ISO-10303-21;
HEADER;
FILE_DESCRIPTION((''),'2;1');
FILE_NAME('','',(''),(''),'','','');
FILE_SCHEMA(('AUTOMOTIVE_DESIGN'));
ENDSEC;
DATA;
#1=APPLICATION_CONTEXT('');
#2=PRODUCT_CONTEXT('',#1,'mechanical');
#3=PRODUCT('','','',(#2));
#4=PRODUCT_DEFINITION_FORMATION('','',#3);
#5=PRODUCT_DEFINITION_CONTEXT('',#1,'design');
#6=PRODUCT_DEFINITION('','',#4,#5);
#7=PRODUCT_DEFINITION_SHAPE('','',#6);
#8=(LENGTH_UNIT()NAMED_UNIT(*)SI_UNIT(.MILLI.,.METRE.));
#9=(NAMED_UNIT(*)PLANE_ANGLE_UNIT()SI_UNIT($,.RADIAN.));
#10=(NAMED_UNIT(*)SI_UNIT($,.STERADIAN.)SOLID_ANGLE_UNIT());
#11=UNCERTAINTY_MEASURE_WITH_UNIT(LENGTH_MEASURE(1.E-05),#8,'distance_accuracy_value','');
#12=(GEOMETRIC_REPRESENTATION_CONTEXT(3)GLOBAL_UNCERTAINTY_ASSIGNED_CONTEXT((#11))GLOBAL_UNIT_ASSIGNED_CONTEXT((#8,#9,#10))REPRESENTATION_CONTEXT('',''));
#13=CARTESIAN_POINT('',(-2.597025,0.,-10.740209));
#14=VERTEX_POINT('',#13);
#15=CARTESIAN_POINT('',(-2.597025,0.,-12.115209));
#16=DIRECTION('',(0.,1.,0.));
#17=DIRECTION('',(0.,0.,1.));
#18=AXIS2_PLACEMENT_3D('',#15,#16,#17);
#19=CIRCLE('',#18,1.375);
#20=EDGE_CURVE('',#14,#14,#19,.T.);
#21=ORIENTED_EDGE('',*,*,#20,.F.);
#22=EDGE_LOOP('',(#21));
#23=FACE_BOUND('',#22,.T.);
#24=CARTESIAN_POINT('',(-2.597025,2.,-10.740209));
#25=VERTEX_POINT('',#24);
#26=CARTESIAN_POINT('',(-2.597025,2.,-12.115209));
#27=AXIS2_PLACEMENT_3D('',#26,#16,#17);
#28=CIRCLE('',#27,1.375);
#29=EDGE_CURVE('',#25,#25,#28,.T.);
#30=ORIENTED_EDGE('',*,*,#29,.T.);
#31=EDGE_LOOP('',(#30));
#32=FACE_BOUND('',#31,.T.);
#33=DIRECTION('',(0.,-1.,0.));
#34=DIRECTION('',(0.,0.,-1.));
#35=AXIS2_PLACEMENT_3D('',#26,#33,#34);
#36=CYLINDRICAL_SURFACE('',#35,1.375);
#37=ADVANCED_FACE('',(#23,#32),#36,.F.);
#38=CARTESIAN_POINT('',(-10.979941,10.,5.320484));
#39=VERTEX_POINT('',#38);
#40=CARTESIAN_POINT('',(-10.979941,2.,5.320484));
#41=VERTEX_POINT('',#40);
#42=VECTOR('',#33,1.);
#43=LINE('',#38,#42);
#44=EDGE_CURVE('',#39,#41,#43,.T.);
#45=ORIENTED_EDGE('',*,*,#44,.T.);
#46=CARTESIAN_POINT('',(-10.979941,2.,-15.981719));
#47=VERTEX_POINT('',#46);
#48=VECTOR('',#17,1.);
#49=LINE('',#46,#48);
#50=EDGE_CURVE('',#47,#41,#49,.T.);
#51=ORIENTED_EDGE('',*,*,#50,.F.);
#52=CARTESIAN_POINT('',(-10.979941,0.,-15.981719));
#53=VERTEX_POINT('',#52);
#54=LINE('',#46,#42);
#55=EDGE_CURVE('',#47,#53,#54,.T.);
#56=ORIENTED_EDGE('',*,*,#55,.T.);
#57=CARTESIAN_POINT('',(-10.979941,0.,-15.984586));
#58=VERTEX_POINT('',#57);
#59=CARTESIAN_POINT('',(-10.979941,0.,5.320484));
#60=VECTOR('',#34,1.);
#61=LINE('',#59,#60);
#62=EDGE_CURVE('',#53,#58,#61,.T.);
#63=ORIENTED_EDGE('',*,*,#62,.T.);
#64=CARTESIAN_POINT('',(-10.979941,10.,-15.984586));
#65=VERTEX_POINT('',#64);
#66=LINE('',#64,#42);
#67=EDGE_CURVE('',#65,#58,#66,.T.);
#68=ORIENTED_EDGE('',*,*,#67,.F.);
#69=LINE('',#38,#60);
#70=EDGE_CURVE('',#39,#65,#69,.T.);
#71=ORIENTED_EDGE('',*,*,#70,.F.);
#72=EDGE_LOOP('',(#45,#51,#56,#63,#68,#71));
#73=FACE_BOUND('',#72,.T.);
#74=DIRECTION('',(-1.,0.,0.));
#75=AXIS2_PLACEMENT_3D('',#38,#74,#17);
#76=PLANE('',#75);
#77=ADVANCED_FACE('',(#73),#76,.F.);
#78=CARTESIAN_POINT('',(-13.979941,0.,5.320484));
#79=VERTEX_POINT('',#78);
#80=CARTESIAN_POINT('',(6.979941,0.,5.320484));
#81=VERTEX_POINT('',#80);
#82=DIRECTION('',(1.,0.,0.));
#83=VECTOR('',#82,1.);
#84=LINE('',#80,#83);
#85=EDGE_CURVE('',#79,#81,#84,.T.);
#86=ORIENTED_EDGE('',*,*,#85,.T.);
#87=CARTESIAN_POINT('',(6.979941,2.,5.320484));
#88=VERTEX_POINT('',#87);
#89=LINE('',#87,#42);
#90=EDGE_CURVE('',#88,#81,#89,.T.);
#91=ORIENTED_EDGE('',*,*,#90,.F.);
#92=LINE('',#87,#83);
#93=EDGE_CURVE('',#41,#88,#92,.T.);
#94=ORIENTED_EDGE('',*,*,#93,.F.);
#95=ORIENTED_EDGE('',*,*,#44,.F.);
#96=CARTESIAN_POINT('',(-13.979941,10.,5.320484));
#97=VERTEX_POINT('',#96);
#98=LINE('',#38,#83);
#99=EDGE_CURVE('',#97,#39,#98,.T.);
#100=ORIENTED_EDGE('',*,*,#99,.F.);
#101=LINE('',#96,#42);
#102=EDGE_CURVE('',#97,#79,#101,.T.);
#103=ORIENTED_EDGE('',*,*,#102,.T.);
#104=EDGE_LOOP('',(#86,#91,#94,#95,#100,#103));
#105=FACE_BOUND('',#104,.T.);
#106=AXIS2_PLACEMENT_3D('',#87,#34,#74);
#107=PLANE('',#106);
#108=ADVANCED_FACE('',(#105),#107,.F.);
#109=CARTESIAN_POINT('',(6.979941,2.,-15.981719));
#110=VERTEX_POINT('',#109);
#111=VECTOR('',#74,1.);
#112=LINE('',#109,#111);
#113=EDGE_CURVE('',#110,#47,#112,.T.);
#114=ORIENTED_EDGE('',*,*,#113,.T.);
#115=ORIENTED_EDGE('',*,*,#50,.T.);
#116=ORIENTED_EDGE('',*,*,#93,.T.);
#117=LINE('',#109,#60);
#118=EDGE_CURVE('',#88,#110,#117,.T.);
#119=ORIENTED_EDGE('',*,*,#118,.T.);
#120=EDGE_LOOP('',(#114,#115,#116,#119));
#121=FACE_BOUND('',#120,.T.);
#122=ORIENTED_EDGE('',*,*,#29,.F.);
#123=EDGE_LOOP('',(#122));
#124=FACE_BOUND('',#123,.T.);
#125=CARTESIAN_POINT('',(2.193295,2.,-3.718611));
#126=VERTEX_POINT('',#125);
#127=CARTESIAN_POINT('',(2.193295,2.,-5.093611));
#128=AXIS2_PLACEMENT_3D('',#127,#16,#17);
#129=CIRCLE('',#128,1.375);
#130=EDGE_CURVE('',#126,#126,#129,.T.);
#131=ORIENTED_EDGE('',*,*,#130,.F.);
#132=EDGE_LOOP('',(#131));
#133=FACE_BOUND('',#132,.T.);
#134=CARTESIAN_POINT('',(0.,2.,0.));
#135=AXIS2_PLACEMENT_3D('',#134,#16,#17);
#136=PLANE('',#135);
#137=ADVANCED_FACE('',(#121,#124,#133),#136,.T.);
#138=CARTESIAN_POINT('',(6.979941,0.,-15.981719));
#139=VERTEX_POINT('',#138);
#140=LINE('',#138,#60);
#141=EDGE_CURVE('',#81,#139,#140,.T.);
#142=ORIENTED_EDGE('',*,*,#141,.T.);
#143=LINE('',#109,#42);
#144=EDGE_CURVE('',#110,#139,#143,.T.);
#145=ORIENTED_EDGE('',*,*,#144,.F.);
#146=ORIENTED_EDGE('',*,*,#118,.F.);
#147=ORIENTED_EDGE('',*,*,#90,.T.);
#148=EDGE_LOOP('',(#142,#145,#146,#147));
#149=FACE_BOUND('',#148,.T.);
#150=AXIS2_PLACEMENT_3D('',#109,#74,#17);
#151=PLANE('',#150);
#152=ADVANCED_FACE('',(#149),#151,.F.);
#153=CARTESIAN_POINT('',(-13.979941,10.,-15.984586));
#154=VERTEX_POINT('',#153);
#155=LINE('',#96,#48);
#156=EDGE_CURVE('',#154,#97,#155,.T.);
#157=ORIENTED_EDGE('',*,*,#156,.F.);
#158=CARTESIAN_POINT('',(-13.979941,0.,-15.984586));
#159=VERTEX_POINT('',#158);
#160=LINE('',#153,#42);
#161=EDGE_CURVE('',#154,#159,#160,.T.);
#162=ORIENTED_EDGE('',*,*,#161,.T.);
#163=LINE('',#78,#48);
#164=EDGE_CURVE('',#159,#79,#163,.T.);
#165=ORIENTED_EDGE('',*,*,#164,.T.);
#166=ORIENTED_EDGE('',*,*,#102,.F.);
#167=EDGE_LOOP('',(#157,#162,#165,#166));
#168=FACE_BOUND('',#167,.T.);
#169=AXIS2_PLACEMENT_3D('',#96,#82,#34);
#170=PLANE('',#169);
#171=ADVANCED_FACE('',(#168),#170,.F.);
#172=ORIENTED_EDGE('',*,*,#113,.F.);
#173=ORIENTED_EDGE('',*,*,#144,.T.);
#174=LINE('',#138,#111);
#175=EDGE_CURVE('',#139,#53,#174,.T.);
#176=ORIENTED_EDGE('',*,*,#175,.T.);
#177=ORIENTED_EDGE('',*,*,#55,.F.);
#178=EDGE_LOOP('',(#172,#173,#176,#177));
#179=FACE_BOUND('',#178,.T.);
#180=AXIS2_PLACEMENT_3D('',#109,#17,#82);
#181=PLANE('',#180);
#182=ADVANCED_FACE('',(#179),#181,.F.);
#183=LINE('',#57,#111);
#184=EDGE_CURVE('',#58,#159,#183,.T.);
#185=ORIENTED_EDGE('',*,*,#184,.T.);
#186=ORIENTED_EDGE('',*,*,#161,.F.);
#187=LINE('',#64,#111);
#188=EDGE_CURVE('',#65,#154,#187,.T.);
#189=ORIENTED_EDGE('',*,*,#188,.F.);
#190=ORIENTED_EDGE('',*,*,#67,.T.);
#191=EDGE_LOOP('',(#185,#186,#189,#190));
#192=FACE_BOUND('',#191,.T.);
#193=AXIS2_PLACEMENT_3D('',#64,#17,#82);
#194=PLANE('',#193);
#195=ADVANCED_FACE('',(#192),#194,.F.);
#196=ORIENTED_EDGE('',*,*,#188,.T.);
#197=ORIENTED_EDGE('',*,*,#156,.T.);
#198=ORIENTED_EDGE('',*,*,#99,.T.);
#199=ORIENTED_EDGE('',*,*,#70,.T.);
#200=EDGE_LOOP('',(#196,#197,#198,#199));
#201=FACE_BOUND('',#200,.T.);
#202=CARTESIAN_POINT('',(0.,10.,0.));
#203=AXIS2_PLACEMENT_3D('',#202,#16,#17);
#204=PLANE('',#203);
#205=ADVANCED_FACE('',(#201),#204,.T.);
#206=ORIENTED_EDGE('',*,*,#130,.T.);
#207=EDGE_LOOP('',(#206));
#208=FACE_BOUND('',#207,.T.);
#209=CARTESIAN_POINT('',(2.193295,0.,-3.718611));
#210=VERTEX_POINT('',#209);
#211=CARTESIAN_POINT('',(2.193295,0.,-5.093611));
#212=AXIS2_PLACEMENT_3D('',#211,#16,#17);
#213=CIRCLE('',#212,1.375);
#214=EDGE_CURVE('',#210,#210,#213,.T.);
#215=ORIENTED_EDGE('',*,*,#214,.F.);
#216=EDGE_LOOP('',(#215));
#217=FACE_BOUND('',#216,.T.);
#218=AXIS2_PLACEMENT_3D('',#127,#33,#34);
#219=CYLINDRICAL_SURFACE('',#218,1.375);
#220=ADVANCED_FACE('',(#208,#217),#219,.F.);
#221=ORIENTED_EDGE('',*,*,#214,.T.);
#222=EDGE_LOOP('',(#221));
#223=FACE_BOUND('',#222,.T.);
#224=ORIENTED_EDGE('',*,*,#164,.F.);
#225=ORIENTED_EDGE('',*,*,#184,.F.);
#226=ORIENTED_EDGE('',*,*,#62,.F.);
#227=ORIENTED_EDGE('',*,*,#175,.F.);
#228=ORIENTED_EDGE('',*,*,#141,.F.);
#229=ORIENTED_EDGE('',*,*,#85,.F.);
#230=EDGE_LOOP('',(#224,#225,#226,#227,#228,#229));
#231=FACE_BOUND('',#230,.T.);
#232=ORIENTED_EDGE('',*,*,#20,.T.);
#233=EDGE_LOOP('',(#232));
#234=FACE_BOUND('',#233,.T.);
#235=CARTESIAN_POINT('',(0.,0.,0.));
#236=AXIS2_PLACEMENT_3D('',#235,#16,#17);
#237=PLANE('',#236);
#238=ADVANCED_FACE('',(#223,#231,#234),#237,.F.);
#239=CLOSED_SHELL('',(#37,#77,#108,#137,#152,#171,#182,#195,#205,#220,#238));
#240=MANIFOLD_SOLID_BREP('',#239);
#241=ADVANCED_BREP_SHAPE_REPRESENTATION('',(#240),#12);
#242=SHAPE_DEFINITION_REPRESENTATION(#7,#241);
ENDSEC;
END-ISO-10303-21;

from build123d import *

# Parameters (mm, degrees)
SKETCH1_W           = 13.959881784
SKETCH1_H           = 21.302203019
SKETCH1_R           = 1.375
BOSS_EXTRUDE1_DEPTH = 2
SKETCH2_W           = 4
SKETCH2_H           = 21.302203019
BOSS_EXTRUDE2_DEPTH = 2
SKETCH3_W           = 3
SKETCH3_H           = 21.305070201
BOSS_EXTRUDE3_DEPTH = 10


with BuildPart() as part:
    # Sketch1 → Boss-Extrude1 (new body)
    with BuildSketch(Plane(origin=(0, 0, 0), x_dir=(1, 0, 0), z_dir=(0, 1, 0))):
        with Locations((0, 5.330617365)):
            Rectangle(SKETCH1_W, SKETCH1_H)
        with Locations(Location((-2.597025086, 12.115208791, 0), (0, 0, 270))):
            Circle(SKETCH1_R, mode=Mode.SUBTRACT)
        with Locations(Location((2.193295037, 5.093611172, 0), (0, 0, 270))):
            Circle(SKETCH1_R, mode=Mode.SUBTRACT)
    extrude(amount=BOSS_EXTRUDE1_DEPTH)

    # Sketch2 → Boss-Extrude2 (add)
    with BuildSketch(Plane(origin=(0, 0, 0), x_dir=(1, 0, 0), z_dir=(0, 1, 0))):
        with Locations((-8.979940892, 5.330617365)):
            Rectangle(SKETCH2_W, SKETCH2_H)
    extrude(amount=BOSS_EXTRUDE2_DEPTH)

    # Sketch3 → Boss-Extrude3 (add)
    with BuildSketch(Plane(origin=(0, 0, 0), x_dir=(1, 0, 0), z_dir=(0, 1, 0))):
        with Locations((-12.479940892, 5.332050956)):
            Rectangle(SKETCH3_W, SKETCH3_H)
    extrude(amount=BOSS_EXTRUDE3_DEPTH)


solid = part.part
